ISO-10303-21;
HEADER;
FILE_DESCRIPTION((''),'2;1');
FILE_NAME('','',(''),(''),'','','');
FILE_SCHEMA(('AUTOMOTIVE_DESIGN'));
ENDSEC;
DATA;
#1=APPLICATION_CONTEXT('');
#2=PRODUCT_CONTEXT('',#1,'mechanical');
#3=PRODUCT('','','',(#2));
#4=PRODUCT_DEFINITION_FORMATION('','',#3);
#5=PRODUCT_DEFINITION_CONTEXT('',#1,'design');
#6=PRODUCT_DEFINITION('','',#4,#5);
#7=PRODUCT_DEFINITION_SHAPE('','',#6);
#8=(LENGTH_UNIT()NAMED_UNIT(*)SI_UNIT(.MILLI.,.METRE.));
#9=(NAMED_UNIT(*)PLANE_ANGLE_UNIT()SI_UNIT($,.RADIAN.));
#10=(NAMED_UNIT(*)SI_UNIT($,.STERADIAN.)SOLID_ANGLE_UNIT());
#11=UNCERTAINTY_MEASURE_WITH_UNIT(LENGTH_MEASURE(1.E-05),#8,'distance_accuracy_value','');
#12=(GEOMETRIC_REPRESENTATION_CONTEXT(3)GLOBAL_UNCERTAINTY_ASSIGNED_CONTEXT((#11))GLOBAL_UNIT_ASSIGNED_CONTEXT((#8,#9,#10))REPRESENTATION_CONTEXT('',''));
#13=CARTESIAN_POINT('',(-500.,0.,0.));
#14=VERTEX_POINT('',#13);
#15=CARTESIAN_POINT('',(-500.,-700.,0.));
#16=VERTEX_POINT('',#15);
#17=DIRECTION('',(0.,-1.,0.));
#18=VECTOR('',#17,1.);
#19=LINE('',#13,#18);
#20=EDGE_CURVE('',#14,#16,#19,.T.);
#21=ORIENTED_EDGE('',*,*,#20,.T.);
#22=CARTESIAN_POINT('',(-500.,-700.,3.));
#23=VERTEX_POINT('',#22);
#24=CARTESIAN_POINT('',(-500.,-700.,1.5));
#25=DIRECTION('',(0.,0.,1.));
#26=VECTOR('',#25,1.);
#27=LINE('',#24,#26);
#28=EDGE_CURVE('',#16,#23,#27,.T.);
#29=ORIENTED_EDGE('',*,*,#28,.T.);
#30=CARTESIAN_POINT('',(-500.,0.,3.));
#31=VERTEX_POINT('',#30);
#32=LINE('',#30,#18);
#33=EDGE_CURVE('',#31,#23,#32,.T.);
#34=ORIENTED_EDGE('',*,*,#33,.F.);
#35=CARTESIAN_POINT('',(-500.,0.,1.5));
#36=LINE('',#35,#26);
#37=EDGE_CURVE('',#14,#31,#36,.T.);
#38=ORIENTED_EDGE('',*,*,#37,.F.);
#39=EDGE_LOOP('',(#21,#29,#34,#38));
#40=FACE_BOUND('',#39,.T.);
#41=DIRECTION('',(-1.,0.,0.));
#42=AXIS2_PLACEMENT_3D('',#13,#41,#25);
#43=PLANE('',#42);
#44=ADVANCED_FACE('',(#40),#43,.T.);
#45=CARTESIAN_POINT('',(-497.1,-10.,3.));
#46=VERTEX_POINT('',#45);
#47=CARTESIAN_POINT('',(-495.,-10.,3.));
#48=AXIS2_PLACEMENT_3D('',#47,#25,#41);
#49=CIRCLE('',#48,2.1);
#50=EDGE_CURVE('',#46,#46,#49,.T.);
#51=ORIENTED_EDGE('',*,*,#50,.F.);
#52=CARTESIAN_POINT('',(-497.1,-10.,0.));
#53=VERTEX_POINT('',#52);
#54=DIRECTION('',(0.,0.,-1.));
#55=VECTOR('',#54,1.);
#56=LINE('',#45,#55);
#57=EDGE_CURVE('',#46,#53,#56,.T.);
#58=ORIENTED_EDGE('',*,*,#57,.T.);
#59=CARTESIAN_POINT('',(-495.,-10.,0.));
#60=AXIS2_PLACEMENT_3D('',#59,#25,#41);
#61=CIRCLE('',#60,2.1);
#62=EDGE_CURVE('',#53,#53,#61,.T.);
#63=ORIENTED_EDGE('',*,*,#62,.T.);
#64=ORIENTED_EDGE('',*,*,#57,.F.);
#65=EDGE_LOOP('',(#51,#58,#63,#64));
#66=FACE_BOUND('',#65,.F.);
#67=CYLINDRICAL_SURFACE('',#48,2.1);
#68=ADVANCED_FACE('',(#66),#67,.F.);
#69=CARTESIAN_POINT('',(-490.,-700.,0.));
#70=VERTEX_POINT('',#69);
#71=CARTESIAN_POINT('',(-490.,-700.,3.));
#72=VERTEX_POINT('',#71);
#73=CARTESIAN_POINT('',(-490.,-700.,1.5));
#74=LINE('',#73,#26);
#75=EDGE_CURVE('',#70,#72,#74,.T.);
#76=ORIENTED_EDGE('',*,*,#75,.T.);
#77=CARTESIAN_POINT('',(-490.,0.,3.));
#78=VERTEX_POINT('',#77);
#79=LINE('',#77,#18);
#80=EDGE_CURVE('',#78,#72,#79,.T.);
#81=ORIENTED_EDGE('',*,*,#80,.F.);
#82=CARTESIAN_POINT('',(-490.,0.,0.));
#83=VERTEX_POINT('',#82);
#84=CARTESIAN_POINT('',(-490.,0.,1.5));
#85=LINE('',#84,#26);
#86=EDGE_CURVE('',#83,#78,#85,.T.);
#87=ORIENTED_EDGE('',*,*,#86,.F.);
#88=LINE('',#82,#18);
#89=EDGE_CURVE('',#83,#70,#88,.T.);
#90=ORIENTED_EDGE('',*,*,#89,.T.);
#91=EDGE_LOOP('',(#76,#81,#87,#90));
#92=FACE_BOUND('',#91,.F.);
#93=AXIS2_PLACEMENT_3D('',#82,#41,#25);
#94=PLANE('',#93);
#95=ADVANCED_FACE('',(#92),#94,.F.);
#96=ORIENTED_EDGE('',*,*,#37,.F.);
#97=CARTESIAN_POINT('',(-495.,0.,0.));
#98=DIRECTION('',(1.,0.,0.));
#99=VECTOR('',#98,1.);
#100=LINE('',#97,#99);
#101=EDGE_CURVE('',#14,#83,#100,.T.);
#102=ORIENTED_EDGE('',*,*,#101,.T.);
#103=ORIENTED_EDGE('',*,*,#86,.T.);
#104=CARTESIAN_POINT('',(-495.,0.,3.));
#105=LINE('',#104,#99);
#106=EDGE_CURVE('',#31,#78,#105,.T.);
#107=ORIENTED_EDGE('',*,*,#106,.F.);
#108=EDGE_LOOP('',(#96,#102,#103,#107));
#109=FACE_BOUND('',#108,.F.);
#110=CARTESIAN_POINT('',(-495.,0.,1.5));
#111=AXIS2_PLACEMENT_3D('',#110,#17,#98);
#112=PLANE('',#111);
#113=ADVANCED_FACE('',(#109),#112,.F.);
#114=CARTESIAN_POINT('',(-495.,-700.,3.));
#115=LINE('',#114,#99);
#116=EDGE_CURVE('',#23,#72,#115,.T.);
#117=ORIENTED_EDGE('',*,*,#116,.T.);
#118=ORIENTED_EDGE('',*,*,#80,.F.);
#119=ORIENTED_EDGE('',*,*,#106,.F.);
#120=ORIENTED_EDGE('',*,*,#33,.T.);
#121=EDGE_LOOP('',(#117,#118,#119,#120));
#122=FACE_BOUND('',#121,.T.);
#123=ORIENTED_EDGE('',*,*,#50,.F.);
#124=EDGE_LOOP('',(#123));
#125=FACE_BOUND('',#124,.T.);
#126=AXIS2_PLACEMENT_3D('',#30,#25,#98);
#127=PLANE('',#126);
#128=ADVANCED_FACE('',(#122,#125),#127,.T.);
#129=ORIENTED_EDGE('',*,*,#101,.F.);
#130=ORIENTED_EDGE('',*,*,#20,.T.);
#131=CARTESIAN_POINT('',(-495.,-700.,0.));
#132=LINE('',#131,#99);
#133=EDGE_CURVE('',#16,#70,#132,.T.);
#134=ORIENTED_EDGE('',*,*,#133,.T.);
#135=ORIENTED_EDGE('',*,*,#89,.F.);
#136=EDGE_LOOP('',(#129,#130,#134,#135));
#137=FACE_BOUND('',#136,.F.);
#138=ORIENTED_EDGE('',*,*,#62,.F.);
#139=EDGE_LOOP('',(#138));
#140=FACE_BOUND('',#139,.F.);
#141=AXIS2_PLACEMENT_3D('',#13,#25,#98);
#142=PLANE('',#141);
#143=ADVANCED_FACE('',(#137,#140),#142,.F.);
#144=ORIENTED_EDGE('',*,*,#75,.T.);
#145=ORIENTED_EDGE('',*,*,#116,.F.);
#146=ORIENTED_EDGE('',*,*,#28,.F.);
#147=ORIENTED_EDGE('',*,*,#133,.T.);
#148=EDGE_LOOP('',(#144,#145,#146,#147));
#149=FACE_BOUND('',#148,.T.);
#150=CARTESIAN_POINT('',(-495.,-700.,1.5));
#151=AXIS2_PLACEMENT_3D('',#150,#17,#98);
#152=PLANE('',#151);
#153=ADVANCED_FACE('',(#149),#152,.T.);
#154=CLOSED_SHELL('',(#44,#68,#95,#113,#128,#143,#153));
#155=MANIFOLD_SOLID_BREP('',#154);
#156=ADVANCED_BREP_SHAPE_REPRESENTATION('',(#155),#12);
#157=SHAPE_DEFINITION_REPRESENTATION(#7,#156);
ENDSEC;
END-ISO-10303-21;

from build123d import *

# Parameters (mm, degrees)
SKETCH_W    = 10
SKETCH_H    = 3
PAD_DEPTH   = 700
SKETCH001_R = 2.1
HOLE_DEPTH  = 3.001


with BuildPart() as part:
    # Sketch → Pad (new body)
    with BuildSketch(Plane.XZ):
        with Locations((-495, 1.5)):
            Rectangle(SKETCH_W, SKETCH_H)
    extrude(amount=PAD_DEPTH)

    # Sketch001 (on Face3 of Pad) → Hole (cut, through all)
    with BuildSketch(Plane(origin=(0, 0, 3), x_dir=(-1, 0, 0), z_dir=(0, 0, 1))):
        with Locations((495, 10)):
            Circle(SKETCH001_R)
    extrude(amount=-HOLE_DEPTH, mode=Mode.SUBTRACT)


solid = part.part
